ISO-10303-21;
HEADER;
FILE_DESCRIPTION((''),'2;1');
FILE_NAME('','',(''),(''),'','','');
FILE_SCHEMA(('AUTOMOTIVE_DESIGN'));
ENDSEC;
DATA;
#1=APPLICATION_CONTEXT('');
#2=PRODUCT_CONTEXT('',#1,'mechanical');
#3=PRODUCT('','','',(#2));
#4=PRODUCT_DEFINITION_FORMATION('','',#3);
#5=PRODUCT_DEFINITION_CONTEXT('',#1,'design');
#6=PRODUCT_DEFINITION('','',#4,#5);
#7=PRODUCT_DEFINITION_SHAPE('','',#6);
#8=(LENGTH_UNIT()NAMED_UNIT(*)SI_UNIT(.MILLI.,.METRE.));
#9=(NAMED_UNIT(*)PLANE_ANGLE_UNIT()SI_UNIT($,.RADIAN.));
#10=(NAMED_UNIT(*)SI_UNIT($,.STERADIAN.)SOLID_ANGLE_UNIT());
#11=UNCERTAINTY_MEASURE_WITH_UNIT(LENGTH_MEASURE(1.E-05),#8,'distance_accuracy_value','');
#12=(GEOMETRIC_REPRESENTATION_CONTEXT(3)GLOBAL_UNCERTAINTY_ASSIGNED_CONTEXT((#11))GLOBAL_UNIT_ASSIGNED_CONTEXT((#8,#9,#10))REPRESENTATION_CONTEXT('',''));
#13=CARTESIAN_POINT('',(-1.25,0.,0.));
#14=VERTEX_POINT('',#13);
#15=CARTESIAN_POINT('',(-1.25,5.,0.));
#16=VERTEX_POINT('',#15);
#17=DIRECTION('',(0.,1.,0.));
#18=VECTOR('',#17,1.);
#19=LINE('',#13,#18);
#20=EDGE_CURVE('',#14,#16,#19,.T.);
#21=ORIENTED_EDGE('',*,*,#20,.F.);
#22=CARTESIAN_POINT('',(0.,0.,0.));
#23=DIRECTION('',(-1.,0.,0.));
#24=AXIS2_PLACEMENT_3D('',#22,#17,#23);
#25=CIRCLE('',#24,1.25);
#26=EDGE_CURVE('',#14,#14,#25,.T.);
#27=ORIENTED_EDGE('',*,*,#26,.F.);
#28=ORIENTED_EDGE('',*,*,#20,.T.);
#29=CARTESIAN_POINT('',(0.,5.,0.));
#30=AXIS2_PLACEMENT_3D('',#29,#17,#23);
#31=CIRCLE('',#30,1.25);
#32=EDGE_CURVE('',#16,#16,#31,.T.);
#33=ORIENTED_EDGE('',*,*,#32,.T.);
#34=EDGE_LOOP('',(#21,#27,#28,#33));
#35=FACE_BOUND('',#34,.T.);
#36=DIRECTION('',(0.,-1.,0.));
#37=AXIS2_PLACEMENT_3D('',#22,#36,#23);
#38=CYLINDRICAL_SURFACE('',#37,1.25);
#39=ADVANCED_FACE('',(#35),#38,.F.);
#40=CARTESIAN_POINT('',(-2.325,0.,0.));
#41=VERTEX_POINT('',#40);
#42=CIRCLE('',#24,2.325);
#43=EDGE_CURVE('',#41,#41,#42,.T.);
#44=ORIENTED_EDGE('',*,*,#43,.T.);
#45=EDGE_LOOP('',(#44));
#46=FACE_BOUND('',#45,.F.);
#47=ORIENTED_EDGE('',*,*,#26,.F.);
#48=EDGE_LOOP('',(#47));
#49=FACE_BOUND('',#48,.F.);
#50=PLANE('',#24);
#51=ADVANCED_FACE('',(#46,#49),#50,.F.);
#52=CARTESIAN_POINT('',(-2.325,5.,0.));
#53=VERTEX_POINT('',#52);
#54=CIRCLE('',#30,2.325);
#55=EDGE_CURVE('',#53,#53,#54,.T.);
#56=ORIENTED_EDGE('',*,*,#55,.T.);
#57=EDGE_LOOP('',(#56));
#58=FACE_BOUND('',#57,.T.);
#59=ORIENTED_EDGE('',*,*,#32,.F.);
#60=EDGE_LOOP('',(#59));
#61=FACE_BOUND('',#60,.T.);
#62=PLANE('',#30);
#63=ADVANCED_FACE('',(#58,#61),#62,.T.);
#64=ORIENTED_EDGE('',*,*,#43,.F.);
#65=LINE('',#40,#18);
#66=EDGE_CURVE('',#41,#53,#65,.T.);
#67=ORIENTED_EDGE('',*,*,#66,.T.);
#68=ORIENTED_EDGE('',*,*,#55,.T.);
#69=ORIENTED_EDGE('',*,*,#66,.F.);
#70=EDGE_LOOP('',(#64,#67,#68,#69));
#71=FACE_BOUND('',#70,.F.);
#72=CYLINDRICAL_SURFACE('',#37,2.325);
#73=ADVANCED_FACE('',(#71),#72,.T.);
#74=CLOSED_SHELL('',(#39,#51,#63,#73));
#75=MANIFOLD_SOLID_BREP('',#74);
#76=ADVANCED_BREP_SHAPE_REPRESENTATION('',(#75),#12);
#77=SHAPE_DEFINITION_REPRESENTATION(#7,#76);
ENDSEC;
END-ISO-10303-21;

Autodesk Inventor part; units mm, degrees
ref_plane "YZ Plane" through (0, 0, 0) normal (1, 0, 0) x (0, 1, 0)
ref_plane "XZ Plane" through (0, 0, 0) normal (0, 1, 0) x (-1, 0, 0)
ref_plane "XY Plane" through (0, 0, 0) normal (0, 0, 1) x (1, 0, 0)
sketch "Sketch1" plane through (0, 0, 0) normal (0, 1, 0) x (-1, 0, 0)
  circle A0 centre (0, 0) radius 2.325
  circle A1 centre (0, 0) radius 1.25
  dimension "d0" = 4.65
  dimension "d1" = 2.5
extrude "Extrusion1" add sketch "Sketch1" along normal blind 5
properties part number "02_Column25_long"
